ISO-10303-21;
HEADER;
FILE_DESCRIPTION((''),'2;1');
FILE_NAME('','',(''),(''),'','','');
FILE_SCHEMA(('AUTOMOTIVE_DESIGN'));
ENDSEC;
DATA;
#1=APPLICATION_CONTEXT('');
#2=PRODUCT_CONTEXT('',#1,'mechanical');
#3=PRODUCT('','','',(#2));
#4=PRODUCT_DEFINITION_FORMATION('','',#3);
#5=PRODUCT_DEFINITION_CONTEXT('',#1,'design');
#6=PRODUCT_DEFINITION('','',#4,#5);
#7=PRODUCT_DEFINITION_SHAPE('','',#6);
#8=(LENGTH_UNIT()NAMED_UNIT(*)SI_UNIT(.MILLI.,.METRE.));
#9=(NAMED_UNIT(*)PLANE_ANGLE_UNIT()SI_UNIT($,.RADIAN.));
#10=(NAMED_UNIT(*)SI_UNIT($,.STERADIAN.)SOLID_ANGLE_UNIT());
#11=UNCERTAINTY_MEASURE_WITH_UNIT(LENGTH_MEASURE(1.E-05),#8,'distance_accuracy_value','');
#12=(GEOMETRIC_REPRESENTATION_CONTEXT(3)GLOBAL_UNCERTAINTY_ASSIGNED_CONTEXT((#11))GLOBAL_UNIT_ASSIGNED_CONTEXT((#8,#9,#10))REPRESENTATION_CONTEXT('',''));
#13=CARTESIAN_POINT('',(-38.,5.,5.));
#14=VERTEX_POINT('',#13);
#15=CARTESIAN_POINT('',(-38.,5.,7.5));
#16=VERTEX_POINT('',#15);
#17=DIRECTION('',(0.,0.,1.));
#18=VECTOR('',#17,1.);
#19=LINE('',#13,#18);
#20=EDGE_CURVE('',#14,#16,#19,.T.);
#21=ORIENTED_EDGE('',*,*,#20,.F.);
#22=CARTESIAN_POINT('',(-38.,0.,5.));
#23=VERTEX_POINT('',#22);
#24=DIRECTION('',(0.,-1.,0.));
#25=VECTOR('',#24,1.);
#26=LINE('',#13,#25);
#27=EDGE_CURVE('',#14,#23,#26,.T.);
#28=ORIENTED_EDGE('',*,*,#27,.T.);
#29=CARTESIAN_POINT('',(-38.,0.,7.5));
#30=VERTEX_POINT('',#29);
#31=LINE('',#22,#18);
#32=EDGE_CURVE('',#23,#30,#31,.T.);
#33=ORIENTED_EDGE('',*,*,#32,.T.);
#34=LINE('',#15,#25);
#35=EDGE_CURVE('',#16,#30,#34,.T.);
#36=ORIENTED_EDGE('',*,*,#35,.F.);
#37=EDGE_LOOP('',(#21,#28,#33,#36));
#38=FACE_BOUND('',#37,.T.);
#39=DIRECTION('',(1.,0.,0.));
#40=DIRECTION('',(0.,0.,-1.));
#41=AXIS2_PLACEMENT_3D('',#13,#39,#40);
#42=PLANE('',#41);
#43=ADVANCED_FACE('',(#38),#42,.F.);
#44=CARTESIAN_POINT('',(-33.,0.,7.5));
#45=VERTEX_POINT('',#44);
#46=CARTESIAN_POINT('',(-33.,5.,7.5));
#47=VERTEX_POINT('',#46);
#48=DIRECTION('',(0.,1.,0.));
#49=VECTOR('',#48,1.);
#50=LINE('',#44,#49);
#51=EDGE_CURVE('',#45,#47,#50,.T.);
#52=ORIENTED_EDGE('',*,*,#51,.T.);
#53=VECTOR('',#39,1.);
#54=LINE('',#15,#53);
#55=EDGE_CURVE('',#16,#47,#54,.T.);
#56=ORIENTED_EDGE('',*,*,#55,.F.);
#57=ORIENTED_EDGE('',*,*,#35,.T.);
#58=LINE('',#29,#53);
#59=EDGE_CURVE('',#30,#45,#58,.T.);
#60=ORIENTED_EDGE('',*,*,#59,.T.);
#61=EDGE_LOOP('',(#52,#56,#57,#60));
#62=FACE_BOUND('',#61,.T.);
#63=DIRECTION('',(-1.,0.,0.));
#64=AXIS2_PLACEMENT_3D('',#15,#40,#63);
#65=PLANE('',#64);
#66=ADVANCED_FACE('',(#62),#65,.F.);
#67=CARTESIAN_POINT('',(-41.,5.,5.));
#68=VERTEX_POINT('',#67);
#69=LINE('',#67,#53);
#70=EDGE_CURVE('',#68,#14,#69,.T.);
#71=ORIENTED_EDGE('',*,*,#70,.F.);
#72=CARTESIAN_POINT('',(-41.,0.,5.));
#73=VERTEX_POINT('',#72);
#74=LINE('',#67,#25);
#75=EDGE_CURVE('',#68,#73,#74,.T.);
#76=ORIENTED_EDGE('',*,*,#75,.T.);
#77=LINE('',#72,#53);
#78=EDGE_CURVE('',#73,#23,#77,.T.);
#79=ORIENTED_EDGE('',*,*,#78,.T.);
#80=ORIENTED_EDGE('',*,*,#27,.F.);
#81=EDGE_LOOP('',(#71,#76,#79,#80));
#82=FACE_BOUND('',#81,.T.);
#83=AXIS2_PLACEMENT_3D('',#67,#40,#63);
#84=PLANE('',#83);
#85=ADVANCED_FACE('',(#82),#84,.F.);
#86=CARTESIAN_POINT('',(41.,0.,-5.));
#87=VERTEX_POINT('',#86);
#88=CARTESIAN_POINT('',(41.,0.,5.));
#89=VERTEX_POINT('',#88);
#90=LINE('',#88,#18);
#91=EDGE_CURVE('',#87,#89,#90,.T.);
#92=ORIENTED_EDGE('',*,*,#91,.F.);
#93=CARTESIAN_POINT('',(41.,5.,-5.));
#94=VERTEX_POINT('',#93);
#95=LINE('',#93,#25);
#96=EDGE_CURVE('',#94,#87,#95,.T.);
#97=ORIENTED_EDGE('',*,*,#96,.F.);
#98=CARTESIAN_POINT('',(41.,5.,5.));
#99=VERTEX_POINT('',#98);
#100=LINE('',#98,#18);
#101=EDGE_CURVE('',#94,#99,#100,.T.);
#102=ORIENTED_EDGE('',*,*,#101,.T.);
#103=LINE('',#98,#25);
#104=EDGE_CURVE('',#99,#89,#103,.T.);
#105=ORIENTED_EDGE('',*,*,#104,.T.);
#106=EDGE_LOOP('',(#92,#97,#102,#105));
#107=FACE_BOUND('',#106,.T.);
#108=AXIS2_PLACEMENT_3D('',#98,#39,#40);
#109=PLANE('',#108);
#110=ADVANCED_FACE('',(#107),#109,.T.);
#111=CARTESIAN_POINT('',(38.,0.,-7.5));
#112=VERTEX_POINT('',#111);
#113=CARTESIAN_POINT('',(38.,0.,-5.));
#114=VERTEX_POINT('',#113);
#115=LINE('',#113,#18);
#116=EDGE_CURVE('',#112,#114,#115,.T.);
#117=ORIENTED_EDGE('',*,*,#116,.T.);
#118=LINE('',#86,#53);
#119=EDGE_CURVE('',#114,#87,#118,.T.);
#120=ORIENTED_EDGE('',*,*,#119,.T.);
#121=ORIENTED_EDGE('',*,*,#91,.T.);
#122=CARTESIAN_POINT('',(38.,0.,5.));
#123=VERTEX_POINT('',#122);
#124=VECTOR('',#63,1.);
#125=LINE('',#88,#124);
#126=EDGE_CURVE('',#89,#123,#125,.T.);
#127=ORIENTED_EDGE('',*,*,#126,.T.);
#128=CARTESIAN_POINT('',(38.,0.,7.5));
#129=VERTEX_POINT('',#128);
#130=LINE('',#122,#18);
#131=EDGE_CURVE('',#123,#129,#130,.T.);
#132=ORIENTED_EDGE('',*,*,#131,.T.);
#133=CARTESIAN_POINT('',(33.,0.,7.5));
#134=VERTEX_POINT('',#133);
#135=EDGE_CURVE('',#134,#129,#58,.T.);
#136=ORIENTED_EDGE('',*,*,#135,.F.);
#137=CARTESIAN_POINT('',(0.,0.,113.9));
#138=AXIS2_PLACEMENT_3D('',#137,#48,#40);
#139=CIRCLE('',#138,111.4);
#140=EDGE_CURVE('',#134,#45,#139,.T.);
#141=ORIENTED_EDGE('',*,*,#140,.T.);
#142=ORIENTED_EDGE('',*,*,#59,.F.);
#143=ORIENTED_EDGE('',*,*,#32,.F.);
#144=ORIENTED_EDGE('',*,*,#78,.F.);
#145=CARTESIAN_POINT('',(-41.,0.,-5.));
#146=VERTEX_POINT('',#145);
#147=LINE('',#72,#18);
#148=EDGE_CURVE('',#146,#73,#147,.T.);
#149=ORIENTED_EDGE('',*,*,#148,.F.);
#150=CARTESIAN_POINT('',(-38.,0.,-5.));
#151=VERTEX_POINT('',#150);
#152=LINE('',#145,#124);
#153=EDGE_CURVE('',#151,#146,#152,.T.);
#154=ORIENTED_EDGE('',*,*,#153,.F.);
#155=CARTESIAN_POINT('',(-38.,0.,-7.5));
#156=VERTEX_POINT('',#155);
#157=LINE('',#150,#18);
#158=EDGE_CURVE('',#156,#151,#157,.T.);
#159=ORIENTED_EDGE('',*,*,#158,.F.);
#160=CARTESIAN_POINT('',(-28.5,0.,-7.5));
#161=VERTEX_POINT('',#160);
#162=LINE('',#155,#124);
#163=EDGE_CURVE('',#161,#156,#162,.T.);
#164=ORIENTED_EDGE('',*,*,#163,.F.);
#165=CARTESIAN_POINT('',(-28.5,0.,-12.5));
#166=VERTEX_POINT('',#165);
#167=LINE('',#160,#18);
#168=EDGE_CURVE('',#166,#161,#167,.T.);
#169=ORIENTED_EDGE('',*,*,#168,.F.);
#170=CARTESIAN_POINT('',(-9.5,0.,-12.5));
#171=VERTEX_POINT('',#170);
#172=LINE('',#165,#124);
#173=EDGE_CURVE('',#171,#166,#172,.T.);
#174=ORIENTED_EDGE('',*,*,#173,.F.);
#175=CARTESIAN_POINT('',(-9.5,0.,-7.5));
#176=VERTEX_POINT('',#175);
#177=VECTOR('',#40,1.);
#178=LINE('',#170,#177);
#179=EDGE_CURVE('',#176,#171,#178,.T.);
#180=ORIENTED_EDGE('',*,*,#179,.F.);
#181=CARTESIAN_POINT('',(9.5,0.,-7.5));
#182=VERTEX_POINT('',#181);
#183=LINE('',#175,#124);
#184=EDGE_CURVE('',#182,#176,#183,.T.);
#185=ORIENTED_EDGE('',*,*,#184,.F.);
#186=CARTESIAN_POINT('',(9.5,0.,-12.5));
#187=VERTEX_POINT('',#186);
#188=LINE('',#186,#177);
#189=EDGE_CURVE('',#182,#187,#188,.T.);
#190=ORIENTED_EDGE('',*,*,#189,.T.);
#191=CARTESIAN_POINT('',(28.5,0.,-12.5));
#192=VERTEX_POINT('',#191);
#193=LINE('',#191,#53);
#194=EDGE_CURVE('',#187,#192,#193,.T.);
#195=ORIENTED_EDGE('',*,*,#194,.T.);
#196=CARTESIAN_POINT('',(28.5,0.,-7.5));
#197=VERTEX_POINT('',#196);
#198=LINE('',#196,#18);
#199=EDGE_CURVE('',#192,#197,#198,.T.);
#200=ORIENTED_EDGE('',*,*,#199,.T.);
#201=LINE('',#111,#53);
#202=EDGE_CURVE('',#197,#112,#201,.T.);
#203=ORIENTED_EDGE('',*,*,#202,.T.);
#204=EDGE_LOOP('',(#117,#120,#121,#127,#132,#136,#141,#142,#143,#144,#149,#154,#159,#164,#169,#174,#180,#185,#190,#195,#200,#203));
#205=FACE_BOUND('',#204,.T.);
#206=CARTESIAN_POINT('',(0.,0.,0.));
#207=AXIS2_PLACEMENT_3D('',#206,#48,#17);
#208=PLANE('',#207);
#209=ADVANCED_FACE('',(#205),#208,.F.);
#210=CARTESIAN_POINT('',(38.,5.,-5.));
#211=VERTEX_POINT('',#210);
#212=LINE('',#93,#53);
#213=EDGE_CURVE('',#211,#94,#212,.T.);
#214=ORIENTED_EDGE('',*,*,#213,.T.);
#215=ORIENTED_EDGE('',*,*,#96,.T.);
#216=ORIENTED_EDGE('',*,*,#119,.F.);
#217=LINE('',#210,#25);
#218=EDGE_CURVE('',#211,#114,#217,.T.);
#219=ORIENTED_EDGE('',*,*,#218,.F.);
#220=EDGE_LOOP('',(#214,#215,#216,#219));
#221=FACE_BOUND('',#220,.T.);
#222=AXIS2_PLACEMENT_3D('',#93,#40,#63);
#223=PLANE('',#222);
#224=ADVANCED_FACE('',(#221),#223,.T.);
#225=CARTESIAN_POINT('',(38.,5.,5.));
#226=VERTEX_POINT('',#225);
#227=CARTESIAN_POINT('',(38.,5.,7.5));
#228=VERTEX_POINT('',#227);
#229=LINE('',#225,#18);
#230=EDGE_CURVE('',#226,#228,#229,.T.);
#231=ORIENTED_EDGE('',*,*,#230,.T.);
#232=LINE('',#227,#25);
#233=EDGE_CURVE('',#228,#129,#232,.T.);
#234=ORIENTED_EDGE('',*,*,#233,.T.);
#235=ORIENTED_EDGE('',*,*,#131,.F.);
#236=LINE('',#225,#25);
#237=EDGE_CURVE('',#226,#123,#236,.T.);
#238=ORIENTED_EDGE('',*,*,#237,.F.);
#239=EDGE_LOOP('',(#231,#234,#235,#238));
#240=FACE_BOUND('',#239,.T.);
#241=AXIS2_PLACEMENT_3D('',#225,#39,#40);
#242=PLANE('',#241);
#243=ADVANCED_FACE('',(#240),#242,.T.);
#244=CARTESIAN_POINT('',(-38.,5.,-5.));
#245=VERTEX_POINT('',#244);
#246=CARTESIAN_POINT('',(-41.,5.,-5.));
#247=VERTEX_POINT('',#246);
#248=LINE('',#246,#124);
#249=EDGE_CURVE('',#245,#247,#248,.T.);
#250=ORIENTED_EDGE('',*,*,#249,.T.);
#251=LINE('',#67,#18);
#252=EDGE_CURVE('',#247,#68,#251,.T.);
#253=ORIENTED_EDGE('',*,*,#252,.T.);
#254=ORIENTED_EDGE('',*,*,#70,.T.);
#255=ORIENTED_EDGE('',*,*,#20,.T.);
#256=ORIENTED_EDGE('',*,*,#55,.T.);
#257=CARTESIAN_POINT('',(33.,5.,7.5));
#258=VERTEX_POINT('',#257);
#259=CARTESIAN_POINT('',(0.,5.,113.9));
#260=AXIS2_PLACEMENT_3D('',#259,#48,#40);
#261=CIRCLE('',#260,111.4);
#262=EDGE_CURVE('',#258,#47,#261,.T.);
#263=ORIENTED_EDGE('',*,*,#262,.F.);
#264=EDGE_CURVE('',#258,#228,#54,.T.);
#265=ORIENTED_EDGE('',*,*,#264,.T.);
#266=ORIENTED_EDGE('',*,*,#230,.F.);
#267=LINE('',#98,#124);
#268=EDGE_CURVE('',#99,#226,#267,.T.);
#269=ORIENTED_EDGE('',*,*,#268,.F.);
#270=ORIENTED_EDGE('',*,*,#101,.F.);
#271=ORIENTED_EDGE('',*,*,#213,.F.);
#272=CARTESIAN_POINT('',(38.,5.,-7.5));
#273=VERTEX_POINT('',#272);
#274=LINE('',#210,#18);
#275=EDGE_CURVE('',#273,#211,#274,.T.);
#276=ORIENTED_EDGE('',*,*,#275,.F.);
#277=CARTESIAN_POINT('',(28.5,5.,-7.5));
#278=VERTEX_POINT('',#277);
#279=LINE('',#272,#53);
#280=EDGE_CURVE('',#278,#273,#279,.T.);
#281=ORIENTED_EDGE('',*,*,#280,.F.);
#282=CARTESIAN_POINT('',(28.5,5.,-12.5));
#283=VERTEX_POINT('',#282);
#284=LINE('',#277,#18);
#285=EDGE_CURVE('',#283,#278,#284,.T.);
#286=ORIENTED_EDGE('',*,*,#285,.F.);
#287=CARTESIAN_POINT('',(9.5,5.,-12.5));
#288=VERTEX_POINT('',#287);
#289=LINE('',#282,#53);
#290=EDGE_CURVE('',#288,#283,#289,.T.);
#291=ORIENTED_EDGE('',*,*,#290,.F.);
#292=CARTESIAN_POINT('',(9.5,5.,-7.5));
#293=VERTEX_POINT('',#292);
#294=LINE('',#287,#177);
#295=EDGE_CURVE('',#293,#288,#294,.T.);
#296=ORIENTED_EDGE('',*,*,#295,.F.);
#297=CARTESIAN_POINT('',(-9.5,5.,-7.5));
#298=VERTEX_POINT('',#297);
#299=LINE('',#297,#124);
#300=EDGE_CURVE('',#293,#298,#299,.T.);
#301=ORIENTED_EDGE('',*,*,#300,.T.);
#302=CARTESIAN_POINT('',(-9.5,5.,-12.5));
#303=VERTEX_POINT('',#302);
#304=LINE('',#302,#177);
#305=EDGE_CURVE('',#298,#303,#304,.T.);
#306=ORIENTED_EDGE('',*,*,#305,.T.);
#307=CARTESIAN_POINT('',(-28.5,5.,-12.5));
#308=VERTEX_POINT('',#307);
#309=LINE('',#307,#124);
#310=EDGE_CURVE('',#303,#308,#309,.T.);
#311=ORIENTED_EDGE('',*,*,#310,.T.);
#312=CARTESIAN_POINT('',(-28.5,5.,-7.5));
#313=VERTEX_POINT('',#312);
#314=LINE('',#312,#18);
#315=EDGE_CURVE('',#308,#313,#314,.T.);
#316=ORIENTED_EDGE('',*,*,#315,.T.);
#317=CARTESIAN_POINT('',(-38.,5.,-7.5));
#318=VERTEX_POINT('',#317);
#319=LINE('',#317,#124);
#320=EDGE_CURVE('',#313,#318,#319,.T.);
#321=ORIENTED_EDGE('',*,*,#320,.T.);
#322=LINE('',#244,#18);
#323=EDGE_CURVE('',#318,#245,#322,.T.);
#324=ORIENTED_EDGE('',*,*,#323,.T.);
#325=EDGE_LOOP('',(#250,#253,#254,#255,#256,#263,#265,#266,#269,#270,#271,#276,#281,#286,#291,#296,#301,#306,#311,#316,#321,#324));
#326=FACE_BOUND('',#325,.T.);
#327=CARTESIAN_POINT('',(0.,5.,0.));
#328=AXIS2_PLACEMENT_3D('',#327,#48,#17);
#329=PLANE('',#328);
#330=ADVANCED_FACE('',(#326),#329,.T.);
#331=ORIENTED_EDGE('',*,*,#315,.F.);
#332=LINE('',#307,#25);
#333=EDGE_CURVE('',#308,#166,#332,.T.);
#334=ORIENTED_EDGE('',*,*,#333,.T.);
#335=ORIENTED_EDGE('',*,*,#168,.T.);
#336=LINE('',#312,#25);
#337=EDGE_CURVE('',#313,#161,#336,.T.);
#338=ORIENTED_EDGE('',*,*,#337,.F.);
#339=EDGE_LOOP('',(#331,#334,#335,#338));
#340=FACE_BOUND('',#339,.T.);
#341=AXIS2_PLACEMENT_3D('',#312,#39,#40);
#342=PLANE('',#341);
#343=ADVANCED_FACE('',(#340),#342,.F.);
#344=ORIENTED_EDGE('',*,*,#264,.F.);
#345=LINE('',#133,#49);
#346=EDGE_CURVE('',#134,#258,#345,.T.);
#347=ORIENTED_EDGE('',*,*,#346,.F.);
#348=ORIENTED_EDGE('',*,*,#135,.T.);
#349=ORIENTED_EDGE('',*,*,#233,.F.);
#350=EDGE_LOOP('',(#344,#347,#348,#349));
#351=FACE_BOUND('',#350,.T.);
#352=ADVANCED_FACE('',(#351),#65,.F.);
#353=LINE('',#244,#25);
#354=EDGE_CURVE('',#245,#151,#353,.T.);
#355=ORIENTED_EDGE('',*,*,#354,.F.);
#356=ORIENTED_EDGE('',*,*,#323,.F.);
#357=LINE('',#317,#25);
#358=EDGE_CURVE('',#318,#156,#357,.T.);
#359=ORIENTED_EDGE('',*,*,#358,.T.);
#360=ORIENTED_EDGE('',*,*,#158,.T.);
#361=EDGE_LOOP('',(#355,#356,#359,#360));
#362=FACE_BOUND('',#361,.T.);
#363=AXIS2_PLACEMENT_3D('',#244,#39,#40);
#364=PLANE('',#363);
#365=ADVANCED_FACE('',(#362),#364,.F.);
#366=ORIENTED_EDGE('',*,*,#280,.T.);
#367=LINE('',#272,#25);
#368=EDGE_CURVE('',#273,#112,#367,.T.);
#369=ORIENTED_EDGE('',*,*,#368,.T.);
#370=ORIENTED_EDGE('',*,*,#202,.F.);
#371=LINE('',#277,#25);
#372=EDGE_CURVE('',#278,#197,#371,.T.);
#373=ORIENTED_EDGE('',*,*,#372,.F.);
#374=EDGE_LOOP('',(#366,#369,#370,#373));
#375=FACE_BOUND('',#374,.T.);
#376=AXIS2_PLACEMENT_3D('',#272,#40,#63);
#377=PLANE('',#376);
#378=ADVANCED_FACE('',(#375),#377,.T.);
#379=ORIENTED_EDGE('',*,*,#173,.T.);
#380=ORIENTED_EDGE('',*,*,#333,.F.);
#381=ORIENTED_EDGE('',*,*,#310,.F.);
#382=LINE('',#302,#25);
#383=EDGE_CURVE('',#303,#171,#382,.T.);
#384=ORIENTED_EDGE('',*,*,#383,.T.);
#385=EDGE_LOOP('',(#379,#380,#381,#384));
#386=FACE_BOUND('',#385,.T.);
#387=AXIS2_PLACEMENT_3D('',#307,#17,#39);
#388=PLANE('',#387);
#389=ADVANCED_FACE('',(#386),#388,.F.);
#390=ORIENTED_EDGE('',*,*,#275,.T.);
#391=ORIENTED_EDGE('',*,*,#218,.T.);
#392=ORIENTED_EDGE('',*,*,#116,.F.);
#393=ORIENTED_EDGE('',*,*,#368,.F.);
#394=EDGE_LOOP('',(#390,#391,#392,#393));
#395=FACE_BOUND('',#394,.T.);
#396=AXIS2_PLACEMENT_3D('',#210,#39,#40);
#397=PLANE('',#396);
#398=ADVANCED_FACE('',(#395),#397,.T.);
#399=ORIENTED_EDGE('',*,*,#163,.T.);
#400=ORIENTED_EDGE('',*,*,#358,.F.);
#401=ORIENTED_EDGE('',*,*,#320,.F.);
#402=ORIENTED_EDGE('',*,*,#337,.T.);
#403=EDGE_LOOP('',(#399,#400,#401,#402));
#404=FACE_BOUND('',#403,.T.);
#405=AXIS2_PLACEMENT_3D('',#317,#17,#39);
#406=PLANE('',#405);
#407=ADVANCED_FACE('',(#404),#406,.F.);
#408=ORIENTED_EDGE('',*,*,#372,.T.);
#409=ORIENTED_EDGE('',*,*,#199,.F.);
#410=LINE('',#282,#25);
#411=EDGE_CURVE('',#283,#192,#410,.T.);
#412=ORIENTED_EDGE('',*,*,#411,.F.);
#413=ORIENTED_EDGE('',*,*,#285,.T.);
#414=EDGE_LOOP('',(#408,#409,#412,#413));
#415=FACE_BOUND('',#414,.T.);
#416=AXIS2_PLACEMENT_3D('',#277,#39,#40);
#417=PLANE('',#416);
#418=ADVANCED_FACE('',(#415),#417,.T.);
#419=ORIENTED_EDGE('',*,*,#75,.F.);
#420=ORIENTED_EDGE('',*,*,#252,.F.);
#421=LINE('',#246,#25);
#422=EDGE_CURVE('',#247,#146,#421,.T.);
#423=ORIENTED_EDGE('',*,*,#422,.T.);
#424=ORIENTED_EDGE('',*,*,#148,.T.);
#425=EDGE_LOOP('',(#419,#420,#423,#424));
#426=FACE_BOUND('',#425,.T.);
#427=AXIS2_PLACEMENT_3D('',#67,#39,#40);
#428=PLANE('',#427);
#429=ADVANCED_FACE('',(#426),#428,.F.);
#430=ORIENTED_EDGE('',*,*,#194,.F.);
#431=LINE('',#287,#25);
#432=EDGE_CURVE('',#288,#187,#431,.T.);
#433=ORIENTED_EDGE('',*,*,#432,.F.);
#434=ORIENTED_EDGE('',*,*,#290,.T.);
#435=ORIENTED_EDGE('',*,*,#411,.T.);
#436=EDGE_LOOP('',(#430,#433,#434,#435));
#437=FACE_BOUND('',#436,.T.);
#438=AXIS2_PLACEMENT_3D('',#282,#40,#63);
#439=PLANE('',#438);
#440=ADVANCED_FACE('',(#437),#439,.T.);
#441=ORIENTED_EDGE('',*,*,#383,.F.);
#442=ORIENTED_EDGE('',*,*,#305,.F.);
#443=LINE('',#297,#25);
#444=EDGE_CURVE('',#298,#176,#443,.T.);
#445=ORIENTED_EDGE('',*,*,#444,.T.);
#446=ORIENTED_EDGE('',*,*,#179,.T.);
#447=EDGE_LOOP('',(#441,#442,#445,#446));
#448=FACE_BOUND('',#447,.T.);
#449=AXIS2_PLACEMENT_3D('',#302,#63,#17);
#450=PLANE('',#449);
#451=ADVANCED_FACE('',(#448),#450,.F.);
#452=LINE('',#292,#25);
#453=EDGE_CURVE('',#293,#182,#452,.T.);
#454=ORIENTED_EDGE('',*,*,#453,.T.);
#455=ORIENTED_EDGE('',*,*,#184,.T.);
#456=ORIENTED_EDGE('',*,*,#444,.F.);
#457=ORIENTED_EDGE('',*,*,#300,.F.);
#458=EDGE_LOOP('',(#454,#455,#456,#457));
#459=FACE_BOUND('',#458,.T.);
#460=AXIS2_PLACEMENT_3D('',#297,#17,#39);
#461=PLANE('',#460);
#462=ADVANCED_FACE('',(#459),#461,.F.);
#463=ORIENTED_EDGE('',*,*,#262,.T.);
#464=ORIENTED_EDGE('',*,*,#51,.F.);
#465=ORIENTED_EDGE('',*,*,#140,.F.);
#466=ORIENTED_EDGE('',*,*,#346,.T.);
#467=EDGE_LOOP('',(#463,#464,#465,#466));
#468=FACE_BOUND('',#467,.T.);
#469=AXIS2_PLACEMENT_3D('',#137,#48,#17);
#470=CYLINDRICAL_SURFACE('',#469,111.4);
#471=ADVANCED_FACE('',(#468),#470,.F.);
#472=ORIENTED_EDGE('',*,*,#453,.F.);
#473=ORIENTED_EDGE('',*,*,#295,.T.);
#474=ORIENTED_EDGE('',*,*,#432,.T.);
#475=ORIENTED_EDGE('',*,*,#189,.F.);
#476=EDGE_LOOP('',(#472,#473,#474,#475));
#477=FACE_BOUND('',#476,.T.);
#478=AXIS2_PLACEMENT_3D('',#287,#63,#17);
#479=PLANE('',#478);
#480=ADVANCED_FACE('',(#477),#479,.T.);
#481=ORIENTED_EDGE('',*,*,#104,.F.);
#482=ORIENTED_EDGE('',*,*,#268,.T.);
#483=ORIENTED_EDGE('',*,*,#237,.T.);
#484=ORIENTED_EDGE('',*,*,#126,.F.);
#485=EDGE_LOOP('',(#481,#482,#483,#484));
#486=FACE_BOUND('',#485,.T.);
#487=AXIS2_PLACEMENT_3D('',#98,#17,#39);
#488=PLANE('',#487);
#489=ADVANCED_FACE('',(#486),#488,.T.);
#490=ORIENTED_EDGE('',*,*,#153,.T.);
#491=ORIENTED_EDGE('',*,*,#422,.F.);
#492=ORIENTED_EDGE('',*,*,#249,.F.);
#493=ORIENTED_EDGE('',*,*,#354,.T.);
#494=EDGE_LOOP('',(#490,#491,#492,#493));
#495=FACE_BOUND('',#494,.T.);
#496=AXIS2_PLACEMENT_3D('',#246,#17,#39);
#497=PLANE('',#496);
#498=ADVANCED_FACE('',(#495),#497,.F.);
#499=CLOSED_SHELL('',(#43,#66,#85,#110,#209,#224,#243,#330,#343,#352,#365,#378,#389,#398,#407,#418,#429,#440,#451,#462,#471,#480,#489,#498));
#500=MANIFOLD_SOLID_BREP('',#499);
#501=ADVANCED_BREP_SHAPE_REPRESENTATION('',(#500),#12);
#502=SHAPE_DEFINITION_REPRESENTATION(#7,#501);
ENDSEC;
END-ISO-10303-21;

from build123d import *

# Parameters (mm, degrees)
BOSS_EXTRUDE1_DEPTH = 5
CUT_EXTRUDE1_DEPTH  = 44.153794735


with BuildPart() as part:
    # Sketch1 → Boss-Extrude1 (new body)
    with BuildSketch(Plane(origin=(0, 0, 0), x_dir=(1, 0, 0), z_dir=(0, 1, 0))):
        Polygon((-41, -5), (-41, 5), (-38, 5), (-38, 7.5), (-28.5, 7.5), (-28.5, 12.5), (-9.5, 12.5), (-9.5, 7.5), (0, 7.5), (0, -7.5), (-38, -7.5), (-38, -5), align=None)
    boss_extrude1 = extrude(amount=BOSS_EXTRUDE1_DEPTH)

    # Mirror1: Boss-Extrude1 across plane
    add(boss_extrude1.mirror(Plane(origin=(0, 5, -7.5), x_dir=(0, 0, 1), z_dir=(-1, 0, 0))))

    # Sketch4 → Cut-Extrude1 (cut, through all)
    with BuildSketch(Plane(origin=(0, 5, 0), x_dir=(1, 0, 0), z_dir=(0, 1, 0))):
        with BuildLine():
            Line((-33, -7.5), (33, -7.5))
            ThreePointArc((33, -7.5), (0, -2.5), (-33, -7.5))
        make_face()
    extrude(amount=-CUT_EXTRUDE1_DEPTH, mode=Mode.SUBTRACT)


solid = part.part
